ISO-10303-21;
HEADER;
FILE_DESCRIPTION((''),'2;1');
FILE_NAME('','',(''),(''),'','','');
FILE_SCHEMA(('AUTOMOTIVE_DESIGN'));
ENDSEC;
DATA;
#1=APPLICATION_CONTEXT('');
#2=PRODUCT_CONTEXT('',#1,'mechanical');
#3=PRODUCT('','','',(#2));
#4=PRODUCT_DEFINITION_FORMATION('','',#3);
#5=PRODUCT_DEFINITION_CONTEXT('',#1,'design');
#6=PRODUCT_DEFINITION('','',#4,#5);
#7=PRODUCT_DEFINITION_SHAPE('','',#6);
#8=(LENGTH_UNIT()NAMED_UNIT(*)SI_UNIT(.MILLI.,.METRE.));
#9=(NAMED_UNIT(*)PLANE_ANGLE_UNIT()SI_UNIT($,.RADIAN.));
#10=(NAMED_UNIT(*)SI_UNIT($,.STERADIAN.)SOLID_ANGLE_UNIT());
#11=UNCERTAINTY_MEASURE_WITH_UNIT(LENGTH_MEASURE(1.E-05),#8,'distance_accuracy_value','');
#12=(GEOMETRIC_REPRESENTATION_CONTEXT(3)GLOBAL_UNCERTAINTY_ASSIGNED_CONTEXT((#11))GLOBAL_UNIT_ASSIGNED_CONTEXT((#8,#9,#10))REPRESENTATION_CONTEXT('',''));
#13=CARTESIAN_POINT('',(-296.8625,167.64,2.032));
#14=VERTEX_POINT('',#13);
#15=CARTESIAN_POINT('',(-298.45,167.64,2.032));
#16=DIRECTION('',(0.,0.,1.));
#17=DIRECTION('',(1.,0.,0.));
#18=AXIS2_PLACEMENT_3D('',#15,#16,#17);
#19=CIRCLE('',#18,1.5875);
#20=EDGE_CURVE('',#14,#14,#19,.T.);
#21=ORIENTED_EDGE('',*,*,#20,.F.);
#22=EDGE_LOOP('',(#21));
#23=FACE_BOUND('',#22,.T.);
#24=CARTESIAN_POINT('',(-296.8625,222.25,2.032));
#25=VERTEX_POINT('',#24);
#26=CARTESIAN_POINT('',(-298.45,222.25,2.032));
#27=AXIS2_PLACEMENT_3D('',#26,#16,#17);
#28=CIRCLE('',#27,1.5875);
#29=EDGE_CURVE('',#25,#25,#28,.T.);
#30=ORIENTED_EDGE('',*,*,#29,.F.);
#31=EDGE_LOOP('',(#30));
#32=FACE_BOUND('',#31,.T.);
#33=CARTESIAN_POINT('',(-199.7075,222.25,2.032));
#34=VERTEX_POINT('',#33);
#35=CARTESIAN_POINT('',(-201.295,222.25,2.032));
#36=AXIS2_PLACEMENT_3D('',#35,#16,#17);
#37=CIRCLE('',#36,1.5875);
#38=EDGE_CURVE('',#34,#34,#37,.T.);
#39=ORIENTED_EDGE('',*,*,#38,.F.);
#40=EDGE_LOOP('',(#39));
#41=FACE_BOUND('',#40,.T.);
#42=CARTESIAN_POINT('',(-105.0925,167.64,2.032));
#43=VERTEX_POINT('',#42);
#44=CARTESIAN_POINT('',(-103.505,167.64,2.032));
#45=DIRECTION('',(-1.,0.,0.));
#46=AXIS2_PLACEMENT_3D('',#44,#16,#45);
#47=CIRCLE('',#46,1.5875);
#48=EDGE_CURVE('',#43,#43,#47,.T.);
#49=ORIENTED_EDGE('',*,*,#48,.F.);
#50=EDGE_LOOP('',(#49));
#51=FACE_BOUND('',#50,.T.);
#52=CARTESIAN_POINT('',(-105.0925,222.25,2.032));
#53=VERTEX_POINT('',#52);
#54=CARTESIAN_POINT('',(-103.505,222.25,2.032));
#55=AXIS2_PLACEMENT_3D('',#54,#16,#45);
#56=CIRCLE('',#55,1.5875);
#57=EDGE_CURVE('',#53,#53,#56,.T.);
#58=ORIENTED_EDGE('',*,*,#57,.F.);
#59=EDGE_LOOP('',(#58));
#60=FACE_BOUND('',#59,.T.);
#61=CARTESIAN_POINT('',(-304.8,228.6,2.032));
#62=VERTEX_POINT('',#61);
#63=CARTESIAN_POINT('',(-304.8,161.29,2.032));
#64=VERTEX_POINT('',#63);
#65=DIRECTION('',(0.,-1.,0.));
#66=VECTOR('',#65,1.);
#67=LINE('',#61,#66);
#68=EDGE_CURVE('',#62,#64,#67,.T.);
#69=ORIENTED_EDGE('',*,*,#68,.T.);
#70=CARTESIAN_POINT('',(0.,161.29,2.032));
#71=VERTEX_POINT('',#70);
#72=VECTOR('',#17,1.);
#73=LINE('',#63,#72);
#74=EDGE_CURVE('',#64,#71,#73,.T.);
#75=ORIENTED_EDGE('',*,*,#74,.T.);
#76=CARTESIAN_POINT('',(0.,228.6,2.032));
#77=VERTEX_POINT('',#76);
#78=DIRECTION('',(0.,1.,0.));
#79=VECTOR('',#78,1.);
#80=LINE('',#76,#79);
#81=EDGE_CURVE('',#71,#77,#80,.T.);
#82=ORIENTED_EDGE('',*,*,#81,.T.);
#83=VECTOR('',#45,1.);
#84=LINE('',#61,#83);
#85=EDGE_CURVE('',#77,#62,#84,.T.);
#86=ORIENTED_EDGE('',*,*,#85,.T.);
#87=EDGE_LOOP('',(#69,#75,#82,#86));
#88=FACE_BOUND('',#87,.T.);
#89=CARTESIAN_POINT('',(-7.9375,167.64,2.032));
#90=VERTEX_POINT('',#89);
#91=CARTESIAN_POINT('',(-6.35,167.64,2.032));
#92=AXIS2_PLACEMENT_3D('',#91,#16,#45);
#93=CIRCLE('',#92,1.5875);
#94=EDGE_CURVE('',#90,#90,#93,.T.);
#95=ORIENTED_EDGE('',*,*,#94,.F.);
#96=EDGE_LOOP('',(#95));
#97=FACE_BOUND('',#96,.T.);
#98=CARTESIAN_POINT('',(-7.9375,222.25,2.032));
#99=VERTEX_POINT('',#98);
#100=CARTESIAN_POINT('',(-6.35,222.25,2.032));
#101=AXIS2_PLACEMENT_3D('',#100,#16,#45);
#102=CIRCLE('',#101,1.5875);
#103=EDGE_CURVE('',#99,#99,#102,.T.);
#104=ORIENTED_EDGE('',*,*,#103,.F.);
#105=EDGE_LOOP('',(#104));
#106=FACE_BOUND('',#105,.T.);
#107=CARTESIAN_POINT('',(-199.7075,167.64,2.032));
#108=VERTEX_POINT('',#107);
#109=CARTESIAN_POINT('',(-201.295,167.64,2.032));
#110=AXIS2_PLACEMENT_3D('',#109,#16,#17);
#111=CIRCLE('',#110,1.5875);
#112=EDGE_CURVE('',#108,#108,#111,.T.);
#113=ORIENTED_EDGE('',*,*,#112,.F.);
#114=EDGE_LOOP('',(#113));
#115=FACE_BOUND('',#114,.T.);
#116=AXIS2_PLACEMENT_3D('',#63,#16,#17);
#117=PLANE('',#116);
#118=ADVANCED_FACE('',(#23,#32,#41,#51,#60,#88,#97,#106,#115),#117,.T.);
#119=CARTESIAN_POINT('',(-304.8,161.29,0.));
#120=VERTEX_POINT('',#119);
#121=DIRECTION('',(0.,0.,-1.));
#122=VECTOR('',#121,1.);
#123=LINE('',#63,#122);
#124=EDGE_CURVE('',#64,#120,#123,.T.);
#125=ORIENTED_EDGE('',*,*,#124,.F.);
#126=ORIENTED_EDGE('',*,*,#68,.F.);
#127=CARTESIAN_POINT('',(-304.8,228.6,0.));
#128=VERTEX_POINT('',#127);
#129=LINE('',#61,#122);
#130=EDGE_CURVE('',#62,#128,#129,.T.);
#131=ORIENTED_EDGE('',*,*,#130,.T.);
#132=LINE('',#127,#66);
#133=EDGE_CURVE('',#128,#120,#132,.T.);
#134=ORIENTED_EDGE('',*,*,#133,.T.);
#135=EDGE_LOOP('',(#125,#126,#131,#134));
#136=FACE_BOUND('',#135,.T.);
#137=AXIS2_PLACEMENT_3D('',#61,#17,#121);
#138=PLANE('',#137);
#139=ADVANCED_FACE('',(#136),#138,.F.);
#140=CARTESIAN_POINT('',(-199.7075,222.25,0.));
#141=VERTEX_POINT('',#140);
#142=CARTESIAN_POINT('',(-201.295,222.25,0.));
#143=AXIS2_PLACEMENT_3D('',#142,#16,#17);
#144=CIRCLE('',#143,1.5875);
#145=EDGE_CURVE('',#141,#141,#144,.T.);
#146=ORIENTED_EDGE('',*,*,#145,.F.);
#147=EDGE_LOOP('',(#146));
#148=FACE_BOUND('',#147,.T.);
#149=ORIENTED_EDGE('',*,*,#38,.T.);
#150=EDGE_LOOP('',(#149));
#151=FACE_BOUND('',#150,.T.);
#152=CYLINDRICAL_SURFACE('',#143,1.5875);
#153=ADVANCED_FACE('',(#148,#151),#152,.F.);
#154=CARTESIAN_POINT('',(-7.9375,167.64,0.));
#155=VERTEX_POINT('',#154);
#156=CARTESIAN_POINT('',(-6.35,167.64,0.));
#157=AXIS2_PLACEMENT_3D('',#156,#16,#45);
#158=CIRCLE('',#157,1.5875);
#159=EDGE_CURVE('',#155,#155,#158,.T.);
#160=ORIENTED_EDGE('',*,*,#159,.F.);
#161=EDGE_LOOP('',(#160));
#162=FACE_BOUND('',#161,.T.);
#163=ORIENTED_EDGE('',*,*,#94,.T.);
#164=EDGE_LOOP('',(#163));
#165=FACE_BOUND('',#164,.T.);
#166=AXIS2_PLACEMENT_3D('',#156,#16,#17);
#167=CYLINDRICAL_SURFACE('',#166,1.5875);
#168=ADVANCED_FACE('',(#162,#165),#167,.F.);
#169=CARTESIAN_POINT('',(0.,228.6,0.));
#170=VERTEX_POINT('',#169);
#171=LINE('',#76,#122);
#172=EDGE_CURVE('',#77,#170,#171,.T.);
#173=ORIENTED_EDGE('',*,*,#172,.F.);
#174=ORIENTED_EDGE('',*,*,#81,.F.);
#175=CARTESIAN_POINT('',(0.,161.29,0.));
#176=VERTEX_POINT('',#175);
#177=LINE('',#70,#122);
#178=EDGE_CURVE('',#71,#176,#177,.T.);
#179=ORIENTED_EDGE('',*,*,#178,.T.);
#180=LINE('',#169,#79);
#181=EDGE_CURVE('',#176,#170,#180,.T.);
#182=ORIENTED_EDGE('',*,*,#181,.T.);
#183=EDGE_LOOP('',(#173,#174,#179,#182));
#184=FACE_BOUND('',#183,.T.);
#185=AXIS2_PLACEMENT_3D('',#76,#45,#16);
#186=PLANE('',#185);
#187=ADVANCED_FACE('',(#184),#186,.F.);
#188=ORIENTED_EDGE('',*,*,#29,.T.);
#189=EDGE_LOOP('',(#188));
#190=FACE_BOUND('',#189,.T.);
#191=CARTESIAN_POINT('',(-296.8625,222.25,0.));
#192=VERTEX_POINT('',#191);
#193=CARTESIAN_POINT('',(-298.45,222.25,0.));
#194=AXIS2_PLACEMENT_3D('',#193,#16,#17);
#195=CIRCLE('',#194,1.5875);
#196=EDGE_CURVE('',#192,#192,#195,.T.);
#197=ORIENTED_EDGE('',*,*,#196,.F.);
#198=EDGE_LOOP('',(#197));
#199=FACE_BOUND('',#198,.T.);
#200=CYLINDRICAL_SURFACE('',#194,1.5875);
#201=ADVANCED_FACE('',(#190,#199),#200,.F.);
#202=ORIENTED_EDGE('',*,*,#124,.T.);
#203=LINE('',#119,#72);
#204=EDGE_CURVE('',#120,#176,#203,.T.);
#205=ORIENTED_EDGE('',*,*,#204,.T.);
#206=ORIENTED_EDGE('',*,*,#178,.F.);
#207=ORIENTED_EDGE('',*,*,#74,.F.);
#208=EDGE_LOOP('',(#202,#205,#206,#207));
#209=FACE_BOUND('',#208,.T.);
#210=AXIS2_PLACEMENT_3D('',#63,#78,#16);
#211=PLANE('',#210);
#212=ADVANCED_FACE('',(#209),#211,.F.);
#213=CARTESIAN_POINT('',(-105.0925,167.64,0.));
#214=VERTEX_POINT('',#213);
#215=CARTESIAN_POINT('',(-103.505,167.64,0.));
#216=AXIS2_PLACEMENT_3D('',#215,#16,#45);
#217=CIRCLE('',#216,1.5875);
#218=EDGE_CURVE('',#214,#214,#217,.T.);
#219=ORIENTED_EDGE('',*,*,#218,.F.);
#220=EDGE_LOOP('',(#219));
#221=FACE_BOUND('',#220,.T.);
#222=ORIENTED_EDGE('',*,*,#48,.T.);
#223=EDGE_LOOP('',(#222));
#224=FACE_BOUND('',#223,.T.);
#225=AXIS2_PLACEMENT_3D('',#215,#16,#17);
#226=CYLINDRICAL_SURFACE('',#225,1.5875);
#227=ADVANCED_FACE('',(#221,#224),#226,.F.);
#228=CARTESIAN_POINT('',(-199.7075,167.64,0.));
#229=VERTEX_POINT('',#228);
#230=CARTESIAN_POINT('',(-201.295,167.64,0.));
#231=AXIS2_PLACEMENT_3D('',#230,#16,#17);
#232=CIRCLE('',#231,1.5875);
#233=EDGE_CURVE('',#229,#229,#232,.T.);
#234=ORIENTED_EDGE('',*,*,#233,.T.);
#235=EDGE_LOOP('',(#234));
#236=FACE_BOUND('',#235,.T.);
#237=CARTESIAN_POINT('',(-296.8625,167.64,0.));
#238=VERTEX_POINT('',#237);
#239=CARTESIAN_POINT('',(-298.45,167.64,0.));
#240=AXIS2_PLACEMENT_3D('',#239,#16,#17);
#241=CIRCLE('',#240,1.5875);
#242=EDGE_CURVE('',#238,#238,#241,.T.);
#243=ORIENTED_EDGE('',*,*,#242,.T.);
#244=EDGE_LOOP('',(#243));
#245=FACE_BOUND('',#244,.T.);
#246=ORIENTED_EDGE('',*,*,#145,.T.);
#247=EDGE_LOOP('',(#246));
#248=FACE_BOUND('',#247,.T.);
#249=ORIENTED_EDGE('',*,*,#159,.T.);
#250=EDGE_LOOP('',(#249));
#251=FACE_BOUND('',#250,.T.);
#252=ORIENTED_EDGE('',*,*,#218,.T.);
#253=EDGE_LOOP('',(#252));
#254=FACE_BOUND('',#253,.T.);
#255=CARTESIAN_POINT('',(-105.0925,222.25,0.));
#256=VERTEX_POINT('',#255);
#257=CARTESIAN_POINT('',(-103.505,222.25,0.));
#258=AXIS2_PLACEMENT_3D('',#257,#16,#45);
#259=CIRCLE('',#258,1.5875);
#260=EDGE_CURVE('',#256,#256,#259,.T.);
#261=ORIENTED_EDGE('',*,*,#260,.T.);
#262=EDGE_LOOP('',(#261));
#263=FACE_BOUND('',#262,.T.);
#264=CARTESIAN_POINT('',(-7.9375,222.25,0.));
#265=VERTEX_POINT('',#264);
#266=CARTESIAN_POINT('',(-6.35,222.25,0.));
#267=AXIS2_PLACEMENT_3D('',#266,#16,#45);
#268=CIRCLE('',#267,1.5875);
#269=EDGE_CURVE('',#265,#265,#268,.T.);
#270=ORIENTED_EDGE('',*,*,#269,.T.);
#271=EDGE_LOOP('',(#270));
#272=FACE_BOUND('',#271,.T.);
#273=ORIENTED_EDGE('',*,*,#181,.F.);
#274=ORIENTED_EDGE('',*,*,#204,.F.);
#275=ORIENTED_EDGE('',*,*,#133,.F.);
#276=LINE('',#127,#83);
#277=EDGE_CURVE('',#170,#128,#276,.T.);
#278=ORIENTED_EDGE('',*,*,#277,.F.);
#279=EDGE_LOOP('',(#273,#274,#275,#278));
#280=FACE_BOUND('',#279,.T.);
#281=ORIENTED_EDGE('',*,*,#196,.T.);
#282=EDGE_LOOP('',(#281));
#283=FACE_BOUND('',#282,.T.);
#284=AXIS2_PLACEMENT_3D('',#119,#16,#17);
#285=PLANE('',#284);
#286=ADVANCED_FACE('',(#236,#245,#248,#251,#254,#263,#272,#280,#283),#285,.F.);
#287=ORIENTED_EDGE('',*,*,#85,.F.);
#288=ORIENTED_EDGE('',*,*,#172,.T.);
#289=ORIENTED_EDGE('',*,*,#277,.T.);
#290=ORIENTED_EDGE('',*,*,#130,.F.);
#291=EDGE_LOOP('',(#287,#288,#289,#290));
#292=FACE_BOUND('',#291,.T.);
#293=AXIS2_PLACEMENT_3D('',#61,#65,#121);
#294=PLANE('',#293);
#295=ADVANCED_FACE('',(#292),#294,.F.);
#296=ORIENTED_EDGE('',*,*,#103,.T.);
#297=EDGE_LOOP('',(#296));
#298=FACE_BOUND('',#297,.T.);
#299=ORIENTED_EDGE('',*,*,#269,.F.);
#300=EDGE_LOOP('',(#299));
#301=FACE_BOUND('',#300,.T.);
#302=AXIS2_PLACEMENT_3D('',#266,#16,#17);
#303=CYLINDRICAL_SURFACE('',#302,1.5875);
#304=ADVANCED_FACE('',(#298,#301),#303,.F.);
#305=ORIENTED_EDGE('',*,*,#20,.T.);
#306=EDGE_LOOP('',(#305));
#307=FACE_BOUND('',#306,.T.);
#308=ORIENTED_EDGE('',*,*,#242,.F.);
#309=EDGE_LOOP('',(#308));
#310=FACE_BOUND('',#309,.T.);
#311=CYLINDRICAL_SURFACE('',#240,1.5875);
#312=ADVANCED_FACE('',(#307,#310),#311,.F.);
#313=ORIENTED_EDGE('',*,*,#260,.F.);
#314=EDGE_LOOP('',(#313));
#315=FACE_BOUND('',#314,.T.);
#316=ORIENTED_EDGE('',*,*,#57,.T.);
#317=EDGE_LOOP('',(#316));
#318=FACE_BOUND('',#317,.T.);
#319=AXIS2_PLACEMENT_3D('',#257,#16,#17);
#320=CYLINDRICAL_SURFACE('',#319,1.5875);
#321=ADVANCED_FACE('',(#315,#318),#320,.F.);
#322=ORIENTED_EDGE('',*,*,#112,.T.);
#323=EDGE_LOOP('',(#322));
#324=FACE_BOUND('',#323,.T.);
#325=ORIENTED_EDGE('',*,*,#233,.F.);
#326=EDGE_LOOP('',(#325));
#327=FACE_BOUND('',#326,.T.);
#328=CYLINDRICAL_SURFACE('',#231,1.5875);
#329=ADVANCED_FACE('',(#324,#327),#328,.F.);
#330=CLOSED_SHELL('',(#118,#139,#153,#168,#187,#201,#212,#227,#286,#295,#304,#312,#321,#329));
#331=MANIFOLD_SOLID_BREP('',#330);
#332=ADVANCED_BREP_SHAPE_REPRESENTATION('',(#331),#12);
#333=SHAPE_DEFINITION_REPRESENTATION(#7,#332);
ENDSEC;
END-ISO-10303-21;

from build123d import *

# Parameters (mm, degrees)
SKETCH1_W          = 304.8
SKETCH1_H          = 67.31
EXTRUDE1_DEPTH     = 2.032
SKETCH2_R          = 1.5875
CUT_EXTRUDE1_DEPTH = 382.005418628


with BuildPart() as part:
    # Sketch1 → Extrude1 (new body)
    with BuildSketch(Plane.XY):
        with Locations((-152.4, 194.945)):
            Rectangle(SKETCH1_W, SKETCH1_H)
    extrude(amount=EXTRUDE1_DEPTH)

    # Sketch2 → Cut-Extrude1 (cut, through all)
    with BuildSketch(Plane.XY.offset(2.032)):
        with Locations((-201.295, 222.25)):
            Circle(SKETCH2_R)
        with Locations((-298.45, 222.25)):
            Circle(SKETCH2_R)
        with Locations((-298.45, 167.64)):
            Circle(SKETCH2_R)
        with Locations((-201.295, 167.64)):
            Circle(SKETCH2_R)
        with Locations(Location((-103.505, 167.64, 0), (0, 0, 180))):
            Circle(SKETCH2_R)
        with Locations(Location((-6.35, 167.64, 0), (0, 0, 180))):
            Circle(SKETCH2_R)
        with Locations(Location((-6.35, 222.25, 0), (0, 0, 180))):
            Circle(SKETCH2_R)
        with Locations(Location((-103.505, 222.25, 0), (0, 0, 180))):
            Circle(SKETCH2_R)
    extrude(amount=-CUT_EXTRUDE1_DEPTH, mode=Mode.SUBTRACT)


solid = part.part
